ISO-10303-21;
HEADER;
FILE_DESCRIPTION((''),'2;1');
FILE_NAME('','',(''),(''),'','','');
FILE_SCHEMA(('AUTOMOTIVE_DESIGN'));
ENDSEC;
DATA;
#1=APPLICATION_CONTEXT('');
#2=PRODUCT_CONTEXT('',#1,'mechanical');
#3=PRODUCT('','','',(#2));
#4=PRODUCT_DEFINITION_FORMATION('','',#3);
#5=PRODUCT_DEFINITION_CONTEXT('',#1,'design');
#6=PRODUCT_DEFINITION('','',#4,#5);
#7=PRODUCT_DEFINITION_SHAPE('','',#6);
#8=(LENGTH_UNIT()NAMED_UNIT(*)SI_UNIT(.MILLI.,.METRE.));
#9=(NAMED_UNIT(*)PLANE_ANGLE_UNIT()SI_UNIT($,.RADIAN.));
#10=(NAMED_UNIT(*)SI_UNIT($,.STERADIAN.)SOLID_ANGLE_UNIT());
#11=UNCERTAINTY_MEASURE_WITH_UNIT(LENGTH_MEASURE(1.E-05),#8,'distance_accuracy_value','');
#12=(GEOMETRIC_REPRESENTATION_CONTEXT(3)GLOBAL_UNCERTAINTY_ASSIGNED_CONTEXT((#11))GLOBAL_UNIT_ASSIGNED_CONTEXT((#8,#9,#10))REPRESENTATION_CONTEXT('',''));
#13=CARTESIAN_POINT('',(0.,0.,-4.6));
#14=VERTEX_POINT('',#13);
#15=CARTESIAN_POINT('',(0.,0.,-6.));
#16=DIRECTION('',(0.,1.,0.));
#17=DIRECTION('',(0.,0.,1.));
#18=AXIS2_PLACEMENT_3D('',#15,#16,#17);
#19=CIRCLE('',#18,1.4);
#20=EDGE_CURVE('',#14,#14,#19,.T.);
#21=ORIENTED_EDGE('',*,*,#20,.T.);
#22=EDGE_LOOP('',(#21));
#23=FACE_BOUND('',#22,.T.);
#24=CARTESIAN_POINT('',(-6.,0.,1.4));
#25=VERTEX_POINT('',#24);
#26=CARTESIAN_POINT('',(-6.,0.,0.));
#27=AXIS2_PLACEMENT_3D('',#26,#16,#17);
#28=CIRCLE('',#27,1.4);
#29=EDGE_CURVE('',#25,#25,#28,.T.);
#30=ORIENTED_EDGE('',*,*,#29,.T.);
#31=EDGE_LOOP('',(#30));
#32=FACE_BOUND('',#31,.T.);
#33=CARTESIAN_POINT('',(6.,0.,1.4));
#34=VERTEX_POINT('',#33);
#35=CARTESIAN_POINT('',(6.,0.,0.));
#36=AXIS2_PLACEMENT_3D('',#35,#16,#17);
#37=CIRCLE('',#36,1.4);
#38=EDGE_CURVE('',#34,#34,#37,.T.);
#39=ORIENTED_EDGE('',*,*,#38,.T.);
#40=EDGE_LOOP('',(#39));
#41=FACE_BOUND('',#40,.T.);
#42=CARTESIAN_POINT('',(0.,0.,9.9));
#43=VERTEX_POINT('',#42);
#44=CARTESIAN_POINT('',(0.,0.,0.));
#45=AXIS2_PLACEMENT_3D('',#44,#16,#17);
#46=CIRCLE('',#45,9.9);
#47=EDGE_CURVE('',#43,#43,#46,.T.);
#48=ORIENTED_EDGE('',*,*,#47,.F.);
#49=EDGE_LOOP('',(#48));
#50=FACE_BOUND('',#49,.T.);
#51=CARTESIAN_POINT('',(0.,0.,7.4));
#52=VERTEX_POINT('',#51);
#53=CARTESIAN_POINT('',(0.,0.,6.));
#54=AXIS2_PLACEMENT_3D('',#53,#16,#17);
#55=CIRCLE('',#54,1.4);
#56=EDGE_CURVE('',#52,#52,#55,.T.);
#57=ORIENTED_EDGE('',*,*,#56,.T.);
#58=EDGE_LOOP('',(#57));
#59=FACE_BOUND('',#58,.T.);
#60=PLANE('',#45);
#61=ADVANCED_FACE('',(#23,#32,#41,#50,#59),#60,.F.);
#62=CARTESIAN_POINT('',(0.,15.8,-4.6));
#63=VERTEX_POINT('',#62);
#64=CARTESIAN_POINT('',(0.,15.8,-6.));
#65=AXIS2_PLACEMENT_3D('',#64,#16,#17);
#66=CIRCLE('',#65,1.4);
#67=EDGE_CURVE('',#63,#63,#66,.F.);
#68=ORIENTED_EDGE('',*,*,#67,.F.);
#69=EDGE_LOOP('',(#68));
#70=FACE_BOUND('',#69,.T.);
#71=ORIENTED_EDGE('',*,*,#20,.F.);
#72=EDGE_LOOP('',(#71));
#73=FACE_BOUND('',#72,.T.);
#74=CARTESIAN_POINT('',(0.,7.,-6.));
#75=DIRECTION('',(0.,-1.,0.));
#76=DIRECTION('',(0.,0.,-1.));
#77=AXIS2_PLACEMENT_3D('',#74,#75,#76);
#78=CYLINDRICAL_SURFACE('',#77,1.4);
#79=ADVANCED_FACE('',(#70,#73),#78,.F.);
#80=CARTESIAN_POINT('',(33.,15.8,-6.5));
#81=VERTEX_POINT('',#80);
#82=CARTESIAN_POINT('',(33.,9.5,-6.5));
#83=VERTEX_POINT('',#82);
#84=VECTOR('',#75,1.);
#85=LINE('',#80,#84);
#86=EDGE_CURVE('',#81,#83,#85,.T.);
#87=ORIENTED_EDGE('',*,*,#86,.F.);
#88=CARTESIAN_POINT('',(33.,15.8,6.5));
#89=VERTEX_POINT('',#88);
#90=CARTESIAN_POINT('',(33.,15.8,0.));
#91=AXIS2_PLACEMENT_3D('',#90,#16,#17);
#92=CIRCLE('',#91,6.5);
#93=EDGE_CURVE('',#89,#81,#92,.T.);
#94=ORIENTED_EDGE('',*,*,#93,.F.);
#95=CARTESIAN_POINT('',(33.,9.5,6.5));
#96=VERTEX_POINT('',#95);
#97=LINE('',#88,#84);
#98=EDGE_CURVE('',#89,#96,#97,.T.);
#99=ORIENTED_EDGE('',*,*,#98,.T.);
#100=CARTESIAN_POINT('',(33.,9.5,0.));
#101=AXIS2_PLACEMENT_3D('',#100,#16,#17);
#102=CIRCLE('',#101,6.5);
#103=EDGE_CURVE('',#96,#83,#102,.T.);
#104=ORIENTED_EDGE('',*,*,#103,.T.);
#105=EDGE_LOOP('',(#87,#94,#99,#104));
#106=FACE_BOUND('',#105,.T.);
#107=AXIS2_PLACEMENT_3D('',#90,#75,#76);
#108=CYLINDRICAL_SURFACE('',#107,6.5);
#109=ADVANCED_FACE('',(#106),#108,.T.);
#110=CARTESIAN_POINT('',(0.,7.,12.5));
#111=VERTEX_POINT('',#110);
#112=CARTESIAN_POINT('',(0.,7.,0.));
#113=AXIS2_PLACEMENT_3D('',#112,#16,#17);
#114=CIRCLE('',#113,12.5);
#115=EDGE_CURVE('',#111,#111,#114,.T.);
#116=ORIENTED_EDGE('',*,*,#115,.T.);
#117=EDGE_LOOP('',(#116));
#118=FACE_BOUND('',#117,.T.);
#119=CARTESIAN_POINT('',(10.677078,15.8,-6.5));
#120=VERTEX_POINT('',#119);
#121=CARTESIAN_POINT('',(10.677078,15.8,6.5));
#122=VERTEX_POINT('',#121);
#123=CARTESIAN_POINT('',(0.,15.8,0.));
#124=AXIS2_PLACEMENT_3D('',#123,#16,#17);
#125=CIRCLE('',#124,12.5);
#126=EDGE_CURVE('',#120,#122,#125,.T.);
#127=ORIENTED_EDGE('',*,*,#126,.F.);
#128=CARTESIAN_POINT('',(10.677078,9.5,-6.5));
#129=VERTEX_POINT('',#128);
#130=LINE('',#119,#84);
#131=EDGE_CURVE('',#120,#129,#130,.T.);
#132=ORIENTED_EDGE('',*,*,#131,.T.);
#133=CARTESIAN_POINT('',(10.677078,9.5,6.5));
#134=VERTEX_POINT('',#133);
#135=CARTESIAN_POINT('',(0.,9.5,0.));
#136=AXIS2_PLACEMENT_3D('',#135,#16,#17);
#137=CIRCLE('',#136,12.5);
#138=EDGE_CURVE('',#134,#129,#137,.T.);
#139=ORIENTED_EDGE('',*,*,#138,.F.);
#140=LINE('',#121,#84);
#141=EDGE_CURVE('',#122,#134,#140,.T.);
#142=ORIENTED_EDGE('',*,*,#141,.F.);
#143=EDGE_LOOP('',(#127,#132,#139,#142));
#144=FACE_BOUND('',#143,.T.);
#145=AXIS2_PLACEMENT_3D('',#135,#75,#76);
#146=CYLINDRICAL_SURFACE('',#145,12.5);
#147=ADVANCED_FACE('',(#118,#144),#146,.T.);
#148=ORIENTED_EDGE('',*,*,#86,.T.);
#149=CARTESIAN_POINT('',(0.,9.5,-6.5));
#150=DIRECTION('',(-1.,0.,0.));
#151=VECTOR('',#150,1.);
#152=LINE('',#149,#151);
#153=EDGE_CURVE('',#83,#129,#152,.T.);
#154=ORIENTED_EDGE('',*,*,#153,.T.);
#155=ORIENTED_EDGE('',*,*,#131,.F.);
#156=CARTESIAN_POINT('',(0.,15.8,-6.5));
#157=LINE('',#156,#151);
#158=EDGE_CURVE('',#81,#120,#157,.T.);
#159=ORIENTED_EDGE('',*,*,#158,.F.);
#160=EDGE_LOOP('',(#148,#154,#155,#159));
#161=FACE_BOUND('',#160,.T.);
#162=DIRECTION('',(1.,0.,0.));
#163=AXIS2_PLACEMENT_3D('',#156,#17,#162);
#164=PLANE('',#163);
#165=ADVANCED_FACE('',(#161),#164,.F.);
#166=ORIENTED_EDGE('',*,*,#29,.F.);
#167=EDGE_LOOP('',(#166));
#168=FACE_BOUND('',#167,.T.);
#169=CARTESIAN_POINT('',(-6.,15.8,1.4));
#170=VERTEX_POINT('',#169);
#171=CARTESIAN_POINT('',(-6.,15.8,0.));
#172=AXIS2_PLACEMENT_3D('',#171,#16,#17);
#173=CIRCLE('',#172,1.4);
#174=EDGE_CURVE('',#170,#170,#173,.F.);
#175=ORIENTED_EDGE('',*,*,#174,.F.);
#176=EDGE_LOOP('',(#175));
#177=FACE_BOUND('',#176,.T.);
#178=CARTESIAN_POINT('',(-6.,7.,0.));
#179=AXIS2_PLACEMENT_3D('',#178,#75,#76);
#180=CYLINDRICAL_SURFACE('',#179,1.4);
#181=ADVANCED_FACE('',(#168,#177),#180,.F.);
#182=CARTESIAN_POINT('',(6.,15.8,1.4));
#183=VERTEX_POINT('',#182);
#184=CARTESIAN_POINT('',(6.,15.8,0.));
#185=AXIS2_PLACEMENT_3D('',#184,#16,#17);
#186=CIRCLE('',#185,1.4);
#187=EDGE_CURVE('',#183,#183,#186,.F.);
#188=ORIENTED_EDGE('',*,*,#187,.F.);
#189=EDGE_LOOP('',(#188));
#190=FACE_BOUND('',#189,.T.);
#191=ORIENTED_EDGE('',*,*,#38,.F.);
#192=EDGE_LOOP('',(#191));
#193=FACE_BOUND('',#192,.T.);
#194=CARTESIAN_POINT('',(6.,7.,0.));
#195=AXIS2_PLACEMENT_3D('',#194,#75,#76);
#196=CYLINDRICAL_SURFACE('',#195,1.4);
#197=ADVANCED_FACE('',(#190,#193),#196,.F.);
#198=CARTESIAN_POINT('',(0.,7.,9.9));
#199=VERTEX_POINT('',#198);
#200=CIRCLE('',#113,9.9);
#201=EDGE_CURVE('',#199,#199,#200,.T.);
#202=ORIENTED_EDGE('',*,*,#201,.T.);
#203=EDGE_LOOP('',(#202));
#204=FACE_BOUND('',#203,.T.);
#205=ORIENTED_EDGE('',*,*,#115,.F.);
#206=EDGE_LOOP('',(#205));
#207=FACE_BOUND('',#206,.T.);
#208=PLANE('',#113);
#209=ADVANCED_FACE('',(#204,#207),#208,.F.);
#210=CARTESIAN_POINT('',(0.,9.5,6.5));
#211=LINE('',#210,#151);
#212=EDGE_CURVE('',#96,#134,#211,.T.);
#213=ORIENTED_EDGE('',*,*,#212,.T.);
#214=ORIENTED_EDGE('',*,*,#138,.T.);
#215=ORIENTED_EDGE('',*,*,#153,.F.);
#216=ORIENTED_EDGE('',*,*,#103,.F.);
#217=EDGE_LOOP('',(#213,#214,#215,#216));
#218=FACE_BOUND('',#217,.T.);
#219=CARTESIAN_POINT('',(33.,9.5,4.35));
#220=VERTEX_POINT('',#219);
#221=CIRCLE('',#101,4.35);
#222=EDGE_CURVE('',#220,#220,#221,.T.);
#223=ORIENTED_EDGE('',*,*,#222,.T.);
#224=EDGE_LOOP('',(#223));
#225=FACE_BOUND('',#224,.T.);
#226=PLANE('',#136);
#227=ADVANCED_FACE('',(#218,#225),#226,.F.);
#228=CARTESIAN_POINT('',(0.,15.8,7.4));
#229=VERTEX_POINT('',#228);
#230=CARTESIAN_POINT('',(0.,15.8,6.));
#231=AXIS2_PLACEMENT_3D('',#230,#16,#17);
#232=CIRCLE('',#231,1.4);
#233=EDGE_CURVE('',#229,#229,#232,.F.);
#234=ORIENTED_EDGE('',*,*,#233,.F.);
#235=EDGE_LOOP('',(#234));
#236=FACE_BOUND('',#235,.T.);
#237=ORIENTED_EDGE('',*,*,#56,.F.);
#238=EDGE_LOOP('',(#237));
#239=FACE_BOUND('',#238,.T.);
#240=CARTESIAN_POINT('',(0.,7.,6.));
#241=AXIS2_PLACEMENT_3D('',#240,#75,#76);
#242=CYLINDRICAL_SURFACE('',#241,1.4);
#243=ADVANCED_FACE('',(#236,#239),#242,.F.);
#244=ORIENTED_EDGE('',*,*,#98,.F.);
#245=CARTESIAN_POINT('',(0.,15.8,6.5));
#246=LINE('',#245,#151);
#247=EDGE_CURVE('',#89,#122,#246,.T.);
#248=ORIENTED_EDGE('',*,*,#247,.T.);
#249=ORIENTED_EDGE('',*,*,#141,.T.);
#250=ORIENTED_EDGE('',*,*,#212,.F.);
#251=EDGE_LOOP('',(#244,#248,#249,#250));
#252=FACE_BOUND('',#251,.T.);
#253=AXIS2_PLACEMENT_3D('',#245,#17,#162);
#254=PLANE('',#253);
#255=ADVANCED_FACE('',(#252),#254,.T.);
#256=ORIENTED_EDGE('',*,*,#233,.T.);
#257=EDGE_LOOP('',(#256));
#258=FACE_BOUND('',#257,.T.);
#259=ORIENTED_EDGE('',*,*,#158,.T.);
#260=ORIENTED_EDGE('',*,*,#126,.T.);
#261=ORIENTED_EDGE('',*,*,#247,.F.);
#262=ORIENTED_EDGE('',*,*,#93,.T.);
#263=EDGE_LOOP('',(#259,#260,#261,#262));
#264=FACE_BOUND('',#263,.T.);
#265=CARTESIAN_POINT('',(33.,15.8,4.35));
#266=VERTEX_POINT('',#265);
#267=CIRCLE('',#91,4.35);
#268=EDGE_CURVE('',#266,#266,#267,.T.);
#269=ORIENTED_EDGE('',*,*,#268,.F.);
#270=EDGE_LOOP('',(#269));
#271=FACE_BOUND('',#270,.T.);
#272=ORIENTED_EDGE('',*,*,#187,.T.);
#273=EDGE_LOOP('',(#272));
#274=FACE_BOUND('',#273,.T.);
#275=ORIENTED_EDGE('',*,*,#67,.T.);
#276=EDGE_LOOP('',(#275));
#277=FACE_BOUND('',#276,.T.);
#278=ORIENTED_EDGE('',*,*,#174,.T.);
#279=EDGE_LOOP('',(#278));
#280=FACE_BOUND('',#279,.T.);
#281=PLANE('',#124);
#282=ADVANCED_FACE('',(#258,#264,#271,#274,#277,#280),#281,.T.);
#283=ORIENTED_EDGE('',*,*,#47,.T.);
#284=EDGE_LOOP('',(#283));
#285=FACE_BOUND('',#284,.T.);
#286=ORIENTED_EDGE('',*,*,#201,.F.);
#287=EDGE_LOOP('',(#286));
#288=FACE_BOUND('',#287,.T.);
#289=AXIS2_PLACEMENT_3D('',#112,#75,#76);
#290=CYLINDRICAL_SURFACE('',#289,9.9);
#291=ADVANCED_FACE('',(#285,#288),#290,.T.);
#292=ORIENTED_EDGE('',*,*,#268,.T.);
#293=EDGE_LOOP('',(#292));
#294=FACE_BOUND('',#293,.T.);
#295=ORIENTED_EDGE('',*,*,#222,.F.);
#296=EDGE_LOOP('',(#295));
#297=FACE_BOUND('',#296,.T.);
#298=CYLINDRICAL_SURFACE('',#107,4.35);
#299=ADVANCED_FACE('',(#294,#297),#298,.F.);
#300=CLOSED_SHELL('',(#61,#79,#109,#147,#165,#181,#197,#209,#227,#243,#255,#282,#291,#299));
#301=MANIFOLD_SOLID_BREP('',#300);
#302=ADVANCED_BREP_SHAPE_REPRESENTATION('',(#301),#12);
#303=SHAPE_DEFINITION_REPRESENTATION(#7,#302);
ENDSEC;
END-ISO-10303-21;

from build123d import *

# Parameters (mm, degrees)
SKETCH_1_R      = 9.9
SKETCH_1_R_2    = 1.4
EXTRUDE_1_DEPTH = 7
SKETCH_2_R      = 12.5
SKETCH_2_R_2    = 1.4
EXTRUDE_2_DEPTH = 2.5
SKETCH_3_R      = 1.4
SKETCH_3_R_2    = 4.35
EXTRUDE_3_DEPTH = 6.3


with BuildPart() as part:
    # 草图1 → 凸台-拉伸1 (new body)
    with BuildSketch(Plane(origin=(0, 0, 0), x_dir=(1, 0, 0), z_dir=(0, 1, 0))):
        with Locations(Location((0, 0, 0), (0, 0, 270))):
            Circle(SKETCH_1_R)
        with Locations(Location((6, 0, 0), (0, 0, 270))):
            Circle(SKETCH_1_R_2, mode=Mode.SUBTRACT)
        with Locations(Location((0, -6, 0), (0, 0, 270))):
            Circle(SKETCH_1_R_2, mode=Mode.SUBTRACT)
        with Locations(Location((-6, 0, 0), (0, 0, 270))):
            Circle(SKETCH_1_R_2, mode=Mode.SUBTRACT)
        with Locations(Location((0, 6, 0), (0, 0, 270))):
            Circle(SKETCH_1_R_2, mode=Mode.SUBTRACT)
    extrude(amount=EXTRUDE_1_DEPTH)

    # 草图2 → 凸台-拉伸2 (add)
    with BuildSketch(Plane(origin=(0, 7, 0), x_dir=(1, 0, 0), z_dir=(0, 1, 0))):
        with Locations(Location((0, 0, 0), (0, 0, 270))):
            Circle(SKETCH_2_R)
        with Locations(Location((-6, 0, 0), (0, 0, 270))):
            Circle(SKETCH_2_R_2, mode=Mode.SUBTRACT)
        with Locations(Location((0, -6, 0), (0, 0, 270))):
            Circle(SKETCH_2_R_2, mode=Mode.SUBTRACT)
        with Locations(Location((6, 0, 0), (0, 0, 270))):
            Circle(SKETCH_2_R_2, mode=Mode.SUBTRACT)
        with Locations(Location((0, 6, 0), (0, 0, 270))):
            Circle(SKETCH_2_R_2, mode=Mode.SUBTRACT)
    extrude(amount=EXTRUDE_2_DEPTH)

    # 草图3 → 凸台-拉伸3 (add)
    with BuildSketch(Plane(origin=(0, 9.5, 0), x_dir=(1, 0, 0), z_dir=(0, 1, 0))):
        with BuildLine():
            Line((33, 6.5), (10.677078252, 6.5))
            ThreePointArc((10.677078252, 6.5), (-12.5, 0), (10.677078252, -6.5))
            Line((10.677078252, -6.5), (33, -6.5))
            ThreePointArc((33, -6.5), (39.5, 0), (33, 6.5))
        make_face()
        with Locations(Location((6, 0, 0), (0, 0, 270))):
            Circle(SKETCH_3_R, mode=Mode.SUBTRACT)
        with Locations(Location((-6, 0, 0), (0, 0, 270))):
            Circle(SKETCH_3_R, mode=Mode.SUBTRACT)
        with Locations(Location((33, 0, 0), (0, 0, 270))):
            Circle(SKETCH_3_R_2, mode=Mode.SUBTRACT)
        with Locations(Location((0, 6, 0), (0, 0, 270))):
            Circle(SKETCH_3_R, mode=Mode.SUBTRACT)
        with Locations(Location((0, -6, 0), (0, 0, 270))):
            Circle(SKETCH_3_R, mode=Mode.SUBTRACT)
    extrude(amount=EXTRUDE_3_DEPTH)


solid = part.part
